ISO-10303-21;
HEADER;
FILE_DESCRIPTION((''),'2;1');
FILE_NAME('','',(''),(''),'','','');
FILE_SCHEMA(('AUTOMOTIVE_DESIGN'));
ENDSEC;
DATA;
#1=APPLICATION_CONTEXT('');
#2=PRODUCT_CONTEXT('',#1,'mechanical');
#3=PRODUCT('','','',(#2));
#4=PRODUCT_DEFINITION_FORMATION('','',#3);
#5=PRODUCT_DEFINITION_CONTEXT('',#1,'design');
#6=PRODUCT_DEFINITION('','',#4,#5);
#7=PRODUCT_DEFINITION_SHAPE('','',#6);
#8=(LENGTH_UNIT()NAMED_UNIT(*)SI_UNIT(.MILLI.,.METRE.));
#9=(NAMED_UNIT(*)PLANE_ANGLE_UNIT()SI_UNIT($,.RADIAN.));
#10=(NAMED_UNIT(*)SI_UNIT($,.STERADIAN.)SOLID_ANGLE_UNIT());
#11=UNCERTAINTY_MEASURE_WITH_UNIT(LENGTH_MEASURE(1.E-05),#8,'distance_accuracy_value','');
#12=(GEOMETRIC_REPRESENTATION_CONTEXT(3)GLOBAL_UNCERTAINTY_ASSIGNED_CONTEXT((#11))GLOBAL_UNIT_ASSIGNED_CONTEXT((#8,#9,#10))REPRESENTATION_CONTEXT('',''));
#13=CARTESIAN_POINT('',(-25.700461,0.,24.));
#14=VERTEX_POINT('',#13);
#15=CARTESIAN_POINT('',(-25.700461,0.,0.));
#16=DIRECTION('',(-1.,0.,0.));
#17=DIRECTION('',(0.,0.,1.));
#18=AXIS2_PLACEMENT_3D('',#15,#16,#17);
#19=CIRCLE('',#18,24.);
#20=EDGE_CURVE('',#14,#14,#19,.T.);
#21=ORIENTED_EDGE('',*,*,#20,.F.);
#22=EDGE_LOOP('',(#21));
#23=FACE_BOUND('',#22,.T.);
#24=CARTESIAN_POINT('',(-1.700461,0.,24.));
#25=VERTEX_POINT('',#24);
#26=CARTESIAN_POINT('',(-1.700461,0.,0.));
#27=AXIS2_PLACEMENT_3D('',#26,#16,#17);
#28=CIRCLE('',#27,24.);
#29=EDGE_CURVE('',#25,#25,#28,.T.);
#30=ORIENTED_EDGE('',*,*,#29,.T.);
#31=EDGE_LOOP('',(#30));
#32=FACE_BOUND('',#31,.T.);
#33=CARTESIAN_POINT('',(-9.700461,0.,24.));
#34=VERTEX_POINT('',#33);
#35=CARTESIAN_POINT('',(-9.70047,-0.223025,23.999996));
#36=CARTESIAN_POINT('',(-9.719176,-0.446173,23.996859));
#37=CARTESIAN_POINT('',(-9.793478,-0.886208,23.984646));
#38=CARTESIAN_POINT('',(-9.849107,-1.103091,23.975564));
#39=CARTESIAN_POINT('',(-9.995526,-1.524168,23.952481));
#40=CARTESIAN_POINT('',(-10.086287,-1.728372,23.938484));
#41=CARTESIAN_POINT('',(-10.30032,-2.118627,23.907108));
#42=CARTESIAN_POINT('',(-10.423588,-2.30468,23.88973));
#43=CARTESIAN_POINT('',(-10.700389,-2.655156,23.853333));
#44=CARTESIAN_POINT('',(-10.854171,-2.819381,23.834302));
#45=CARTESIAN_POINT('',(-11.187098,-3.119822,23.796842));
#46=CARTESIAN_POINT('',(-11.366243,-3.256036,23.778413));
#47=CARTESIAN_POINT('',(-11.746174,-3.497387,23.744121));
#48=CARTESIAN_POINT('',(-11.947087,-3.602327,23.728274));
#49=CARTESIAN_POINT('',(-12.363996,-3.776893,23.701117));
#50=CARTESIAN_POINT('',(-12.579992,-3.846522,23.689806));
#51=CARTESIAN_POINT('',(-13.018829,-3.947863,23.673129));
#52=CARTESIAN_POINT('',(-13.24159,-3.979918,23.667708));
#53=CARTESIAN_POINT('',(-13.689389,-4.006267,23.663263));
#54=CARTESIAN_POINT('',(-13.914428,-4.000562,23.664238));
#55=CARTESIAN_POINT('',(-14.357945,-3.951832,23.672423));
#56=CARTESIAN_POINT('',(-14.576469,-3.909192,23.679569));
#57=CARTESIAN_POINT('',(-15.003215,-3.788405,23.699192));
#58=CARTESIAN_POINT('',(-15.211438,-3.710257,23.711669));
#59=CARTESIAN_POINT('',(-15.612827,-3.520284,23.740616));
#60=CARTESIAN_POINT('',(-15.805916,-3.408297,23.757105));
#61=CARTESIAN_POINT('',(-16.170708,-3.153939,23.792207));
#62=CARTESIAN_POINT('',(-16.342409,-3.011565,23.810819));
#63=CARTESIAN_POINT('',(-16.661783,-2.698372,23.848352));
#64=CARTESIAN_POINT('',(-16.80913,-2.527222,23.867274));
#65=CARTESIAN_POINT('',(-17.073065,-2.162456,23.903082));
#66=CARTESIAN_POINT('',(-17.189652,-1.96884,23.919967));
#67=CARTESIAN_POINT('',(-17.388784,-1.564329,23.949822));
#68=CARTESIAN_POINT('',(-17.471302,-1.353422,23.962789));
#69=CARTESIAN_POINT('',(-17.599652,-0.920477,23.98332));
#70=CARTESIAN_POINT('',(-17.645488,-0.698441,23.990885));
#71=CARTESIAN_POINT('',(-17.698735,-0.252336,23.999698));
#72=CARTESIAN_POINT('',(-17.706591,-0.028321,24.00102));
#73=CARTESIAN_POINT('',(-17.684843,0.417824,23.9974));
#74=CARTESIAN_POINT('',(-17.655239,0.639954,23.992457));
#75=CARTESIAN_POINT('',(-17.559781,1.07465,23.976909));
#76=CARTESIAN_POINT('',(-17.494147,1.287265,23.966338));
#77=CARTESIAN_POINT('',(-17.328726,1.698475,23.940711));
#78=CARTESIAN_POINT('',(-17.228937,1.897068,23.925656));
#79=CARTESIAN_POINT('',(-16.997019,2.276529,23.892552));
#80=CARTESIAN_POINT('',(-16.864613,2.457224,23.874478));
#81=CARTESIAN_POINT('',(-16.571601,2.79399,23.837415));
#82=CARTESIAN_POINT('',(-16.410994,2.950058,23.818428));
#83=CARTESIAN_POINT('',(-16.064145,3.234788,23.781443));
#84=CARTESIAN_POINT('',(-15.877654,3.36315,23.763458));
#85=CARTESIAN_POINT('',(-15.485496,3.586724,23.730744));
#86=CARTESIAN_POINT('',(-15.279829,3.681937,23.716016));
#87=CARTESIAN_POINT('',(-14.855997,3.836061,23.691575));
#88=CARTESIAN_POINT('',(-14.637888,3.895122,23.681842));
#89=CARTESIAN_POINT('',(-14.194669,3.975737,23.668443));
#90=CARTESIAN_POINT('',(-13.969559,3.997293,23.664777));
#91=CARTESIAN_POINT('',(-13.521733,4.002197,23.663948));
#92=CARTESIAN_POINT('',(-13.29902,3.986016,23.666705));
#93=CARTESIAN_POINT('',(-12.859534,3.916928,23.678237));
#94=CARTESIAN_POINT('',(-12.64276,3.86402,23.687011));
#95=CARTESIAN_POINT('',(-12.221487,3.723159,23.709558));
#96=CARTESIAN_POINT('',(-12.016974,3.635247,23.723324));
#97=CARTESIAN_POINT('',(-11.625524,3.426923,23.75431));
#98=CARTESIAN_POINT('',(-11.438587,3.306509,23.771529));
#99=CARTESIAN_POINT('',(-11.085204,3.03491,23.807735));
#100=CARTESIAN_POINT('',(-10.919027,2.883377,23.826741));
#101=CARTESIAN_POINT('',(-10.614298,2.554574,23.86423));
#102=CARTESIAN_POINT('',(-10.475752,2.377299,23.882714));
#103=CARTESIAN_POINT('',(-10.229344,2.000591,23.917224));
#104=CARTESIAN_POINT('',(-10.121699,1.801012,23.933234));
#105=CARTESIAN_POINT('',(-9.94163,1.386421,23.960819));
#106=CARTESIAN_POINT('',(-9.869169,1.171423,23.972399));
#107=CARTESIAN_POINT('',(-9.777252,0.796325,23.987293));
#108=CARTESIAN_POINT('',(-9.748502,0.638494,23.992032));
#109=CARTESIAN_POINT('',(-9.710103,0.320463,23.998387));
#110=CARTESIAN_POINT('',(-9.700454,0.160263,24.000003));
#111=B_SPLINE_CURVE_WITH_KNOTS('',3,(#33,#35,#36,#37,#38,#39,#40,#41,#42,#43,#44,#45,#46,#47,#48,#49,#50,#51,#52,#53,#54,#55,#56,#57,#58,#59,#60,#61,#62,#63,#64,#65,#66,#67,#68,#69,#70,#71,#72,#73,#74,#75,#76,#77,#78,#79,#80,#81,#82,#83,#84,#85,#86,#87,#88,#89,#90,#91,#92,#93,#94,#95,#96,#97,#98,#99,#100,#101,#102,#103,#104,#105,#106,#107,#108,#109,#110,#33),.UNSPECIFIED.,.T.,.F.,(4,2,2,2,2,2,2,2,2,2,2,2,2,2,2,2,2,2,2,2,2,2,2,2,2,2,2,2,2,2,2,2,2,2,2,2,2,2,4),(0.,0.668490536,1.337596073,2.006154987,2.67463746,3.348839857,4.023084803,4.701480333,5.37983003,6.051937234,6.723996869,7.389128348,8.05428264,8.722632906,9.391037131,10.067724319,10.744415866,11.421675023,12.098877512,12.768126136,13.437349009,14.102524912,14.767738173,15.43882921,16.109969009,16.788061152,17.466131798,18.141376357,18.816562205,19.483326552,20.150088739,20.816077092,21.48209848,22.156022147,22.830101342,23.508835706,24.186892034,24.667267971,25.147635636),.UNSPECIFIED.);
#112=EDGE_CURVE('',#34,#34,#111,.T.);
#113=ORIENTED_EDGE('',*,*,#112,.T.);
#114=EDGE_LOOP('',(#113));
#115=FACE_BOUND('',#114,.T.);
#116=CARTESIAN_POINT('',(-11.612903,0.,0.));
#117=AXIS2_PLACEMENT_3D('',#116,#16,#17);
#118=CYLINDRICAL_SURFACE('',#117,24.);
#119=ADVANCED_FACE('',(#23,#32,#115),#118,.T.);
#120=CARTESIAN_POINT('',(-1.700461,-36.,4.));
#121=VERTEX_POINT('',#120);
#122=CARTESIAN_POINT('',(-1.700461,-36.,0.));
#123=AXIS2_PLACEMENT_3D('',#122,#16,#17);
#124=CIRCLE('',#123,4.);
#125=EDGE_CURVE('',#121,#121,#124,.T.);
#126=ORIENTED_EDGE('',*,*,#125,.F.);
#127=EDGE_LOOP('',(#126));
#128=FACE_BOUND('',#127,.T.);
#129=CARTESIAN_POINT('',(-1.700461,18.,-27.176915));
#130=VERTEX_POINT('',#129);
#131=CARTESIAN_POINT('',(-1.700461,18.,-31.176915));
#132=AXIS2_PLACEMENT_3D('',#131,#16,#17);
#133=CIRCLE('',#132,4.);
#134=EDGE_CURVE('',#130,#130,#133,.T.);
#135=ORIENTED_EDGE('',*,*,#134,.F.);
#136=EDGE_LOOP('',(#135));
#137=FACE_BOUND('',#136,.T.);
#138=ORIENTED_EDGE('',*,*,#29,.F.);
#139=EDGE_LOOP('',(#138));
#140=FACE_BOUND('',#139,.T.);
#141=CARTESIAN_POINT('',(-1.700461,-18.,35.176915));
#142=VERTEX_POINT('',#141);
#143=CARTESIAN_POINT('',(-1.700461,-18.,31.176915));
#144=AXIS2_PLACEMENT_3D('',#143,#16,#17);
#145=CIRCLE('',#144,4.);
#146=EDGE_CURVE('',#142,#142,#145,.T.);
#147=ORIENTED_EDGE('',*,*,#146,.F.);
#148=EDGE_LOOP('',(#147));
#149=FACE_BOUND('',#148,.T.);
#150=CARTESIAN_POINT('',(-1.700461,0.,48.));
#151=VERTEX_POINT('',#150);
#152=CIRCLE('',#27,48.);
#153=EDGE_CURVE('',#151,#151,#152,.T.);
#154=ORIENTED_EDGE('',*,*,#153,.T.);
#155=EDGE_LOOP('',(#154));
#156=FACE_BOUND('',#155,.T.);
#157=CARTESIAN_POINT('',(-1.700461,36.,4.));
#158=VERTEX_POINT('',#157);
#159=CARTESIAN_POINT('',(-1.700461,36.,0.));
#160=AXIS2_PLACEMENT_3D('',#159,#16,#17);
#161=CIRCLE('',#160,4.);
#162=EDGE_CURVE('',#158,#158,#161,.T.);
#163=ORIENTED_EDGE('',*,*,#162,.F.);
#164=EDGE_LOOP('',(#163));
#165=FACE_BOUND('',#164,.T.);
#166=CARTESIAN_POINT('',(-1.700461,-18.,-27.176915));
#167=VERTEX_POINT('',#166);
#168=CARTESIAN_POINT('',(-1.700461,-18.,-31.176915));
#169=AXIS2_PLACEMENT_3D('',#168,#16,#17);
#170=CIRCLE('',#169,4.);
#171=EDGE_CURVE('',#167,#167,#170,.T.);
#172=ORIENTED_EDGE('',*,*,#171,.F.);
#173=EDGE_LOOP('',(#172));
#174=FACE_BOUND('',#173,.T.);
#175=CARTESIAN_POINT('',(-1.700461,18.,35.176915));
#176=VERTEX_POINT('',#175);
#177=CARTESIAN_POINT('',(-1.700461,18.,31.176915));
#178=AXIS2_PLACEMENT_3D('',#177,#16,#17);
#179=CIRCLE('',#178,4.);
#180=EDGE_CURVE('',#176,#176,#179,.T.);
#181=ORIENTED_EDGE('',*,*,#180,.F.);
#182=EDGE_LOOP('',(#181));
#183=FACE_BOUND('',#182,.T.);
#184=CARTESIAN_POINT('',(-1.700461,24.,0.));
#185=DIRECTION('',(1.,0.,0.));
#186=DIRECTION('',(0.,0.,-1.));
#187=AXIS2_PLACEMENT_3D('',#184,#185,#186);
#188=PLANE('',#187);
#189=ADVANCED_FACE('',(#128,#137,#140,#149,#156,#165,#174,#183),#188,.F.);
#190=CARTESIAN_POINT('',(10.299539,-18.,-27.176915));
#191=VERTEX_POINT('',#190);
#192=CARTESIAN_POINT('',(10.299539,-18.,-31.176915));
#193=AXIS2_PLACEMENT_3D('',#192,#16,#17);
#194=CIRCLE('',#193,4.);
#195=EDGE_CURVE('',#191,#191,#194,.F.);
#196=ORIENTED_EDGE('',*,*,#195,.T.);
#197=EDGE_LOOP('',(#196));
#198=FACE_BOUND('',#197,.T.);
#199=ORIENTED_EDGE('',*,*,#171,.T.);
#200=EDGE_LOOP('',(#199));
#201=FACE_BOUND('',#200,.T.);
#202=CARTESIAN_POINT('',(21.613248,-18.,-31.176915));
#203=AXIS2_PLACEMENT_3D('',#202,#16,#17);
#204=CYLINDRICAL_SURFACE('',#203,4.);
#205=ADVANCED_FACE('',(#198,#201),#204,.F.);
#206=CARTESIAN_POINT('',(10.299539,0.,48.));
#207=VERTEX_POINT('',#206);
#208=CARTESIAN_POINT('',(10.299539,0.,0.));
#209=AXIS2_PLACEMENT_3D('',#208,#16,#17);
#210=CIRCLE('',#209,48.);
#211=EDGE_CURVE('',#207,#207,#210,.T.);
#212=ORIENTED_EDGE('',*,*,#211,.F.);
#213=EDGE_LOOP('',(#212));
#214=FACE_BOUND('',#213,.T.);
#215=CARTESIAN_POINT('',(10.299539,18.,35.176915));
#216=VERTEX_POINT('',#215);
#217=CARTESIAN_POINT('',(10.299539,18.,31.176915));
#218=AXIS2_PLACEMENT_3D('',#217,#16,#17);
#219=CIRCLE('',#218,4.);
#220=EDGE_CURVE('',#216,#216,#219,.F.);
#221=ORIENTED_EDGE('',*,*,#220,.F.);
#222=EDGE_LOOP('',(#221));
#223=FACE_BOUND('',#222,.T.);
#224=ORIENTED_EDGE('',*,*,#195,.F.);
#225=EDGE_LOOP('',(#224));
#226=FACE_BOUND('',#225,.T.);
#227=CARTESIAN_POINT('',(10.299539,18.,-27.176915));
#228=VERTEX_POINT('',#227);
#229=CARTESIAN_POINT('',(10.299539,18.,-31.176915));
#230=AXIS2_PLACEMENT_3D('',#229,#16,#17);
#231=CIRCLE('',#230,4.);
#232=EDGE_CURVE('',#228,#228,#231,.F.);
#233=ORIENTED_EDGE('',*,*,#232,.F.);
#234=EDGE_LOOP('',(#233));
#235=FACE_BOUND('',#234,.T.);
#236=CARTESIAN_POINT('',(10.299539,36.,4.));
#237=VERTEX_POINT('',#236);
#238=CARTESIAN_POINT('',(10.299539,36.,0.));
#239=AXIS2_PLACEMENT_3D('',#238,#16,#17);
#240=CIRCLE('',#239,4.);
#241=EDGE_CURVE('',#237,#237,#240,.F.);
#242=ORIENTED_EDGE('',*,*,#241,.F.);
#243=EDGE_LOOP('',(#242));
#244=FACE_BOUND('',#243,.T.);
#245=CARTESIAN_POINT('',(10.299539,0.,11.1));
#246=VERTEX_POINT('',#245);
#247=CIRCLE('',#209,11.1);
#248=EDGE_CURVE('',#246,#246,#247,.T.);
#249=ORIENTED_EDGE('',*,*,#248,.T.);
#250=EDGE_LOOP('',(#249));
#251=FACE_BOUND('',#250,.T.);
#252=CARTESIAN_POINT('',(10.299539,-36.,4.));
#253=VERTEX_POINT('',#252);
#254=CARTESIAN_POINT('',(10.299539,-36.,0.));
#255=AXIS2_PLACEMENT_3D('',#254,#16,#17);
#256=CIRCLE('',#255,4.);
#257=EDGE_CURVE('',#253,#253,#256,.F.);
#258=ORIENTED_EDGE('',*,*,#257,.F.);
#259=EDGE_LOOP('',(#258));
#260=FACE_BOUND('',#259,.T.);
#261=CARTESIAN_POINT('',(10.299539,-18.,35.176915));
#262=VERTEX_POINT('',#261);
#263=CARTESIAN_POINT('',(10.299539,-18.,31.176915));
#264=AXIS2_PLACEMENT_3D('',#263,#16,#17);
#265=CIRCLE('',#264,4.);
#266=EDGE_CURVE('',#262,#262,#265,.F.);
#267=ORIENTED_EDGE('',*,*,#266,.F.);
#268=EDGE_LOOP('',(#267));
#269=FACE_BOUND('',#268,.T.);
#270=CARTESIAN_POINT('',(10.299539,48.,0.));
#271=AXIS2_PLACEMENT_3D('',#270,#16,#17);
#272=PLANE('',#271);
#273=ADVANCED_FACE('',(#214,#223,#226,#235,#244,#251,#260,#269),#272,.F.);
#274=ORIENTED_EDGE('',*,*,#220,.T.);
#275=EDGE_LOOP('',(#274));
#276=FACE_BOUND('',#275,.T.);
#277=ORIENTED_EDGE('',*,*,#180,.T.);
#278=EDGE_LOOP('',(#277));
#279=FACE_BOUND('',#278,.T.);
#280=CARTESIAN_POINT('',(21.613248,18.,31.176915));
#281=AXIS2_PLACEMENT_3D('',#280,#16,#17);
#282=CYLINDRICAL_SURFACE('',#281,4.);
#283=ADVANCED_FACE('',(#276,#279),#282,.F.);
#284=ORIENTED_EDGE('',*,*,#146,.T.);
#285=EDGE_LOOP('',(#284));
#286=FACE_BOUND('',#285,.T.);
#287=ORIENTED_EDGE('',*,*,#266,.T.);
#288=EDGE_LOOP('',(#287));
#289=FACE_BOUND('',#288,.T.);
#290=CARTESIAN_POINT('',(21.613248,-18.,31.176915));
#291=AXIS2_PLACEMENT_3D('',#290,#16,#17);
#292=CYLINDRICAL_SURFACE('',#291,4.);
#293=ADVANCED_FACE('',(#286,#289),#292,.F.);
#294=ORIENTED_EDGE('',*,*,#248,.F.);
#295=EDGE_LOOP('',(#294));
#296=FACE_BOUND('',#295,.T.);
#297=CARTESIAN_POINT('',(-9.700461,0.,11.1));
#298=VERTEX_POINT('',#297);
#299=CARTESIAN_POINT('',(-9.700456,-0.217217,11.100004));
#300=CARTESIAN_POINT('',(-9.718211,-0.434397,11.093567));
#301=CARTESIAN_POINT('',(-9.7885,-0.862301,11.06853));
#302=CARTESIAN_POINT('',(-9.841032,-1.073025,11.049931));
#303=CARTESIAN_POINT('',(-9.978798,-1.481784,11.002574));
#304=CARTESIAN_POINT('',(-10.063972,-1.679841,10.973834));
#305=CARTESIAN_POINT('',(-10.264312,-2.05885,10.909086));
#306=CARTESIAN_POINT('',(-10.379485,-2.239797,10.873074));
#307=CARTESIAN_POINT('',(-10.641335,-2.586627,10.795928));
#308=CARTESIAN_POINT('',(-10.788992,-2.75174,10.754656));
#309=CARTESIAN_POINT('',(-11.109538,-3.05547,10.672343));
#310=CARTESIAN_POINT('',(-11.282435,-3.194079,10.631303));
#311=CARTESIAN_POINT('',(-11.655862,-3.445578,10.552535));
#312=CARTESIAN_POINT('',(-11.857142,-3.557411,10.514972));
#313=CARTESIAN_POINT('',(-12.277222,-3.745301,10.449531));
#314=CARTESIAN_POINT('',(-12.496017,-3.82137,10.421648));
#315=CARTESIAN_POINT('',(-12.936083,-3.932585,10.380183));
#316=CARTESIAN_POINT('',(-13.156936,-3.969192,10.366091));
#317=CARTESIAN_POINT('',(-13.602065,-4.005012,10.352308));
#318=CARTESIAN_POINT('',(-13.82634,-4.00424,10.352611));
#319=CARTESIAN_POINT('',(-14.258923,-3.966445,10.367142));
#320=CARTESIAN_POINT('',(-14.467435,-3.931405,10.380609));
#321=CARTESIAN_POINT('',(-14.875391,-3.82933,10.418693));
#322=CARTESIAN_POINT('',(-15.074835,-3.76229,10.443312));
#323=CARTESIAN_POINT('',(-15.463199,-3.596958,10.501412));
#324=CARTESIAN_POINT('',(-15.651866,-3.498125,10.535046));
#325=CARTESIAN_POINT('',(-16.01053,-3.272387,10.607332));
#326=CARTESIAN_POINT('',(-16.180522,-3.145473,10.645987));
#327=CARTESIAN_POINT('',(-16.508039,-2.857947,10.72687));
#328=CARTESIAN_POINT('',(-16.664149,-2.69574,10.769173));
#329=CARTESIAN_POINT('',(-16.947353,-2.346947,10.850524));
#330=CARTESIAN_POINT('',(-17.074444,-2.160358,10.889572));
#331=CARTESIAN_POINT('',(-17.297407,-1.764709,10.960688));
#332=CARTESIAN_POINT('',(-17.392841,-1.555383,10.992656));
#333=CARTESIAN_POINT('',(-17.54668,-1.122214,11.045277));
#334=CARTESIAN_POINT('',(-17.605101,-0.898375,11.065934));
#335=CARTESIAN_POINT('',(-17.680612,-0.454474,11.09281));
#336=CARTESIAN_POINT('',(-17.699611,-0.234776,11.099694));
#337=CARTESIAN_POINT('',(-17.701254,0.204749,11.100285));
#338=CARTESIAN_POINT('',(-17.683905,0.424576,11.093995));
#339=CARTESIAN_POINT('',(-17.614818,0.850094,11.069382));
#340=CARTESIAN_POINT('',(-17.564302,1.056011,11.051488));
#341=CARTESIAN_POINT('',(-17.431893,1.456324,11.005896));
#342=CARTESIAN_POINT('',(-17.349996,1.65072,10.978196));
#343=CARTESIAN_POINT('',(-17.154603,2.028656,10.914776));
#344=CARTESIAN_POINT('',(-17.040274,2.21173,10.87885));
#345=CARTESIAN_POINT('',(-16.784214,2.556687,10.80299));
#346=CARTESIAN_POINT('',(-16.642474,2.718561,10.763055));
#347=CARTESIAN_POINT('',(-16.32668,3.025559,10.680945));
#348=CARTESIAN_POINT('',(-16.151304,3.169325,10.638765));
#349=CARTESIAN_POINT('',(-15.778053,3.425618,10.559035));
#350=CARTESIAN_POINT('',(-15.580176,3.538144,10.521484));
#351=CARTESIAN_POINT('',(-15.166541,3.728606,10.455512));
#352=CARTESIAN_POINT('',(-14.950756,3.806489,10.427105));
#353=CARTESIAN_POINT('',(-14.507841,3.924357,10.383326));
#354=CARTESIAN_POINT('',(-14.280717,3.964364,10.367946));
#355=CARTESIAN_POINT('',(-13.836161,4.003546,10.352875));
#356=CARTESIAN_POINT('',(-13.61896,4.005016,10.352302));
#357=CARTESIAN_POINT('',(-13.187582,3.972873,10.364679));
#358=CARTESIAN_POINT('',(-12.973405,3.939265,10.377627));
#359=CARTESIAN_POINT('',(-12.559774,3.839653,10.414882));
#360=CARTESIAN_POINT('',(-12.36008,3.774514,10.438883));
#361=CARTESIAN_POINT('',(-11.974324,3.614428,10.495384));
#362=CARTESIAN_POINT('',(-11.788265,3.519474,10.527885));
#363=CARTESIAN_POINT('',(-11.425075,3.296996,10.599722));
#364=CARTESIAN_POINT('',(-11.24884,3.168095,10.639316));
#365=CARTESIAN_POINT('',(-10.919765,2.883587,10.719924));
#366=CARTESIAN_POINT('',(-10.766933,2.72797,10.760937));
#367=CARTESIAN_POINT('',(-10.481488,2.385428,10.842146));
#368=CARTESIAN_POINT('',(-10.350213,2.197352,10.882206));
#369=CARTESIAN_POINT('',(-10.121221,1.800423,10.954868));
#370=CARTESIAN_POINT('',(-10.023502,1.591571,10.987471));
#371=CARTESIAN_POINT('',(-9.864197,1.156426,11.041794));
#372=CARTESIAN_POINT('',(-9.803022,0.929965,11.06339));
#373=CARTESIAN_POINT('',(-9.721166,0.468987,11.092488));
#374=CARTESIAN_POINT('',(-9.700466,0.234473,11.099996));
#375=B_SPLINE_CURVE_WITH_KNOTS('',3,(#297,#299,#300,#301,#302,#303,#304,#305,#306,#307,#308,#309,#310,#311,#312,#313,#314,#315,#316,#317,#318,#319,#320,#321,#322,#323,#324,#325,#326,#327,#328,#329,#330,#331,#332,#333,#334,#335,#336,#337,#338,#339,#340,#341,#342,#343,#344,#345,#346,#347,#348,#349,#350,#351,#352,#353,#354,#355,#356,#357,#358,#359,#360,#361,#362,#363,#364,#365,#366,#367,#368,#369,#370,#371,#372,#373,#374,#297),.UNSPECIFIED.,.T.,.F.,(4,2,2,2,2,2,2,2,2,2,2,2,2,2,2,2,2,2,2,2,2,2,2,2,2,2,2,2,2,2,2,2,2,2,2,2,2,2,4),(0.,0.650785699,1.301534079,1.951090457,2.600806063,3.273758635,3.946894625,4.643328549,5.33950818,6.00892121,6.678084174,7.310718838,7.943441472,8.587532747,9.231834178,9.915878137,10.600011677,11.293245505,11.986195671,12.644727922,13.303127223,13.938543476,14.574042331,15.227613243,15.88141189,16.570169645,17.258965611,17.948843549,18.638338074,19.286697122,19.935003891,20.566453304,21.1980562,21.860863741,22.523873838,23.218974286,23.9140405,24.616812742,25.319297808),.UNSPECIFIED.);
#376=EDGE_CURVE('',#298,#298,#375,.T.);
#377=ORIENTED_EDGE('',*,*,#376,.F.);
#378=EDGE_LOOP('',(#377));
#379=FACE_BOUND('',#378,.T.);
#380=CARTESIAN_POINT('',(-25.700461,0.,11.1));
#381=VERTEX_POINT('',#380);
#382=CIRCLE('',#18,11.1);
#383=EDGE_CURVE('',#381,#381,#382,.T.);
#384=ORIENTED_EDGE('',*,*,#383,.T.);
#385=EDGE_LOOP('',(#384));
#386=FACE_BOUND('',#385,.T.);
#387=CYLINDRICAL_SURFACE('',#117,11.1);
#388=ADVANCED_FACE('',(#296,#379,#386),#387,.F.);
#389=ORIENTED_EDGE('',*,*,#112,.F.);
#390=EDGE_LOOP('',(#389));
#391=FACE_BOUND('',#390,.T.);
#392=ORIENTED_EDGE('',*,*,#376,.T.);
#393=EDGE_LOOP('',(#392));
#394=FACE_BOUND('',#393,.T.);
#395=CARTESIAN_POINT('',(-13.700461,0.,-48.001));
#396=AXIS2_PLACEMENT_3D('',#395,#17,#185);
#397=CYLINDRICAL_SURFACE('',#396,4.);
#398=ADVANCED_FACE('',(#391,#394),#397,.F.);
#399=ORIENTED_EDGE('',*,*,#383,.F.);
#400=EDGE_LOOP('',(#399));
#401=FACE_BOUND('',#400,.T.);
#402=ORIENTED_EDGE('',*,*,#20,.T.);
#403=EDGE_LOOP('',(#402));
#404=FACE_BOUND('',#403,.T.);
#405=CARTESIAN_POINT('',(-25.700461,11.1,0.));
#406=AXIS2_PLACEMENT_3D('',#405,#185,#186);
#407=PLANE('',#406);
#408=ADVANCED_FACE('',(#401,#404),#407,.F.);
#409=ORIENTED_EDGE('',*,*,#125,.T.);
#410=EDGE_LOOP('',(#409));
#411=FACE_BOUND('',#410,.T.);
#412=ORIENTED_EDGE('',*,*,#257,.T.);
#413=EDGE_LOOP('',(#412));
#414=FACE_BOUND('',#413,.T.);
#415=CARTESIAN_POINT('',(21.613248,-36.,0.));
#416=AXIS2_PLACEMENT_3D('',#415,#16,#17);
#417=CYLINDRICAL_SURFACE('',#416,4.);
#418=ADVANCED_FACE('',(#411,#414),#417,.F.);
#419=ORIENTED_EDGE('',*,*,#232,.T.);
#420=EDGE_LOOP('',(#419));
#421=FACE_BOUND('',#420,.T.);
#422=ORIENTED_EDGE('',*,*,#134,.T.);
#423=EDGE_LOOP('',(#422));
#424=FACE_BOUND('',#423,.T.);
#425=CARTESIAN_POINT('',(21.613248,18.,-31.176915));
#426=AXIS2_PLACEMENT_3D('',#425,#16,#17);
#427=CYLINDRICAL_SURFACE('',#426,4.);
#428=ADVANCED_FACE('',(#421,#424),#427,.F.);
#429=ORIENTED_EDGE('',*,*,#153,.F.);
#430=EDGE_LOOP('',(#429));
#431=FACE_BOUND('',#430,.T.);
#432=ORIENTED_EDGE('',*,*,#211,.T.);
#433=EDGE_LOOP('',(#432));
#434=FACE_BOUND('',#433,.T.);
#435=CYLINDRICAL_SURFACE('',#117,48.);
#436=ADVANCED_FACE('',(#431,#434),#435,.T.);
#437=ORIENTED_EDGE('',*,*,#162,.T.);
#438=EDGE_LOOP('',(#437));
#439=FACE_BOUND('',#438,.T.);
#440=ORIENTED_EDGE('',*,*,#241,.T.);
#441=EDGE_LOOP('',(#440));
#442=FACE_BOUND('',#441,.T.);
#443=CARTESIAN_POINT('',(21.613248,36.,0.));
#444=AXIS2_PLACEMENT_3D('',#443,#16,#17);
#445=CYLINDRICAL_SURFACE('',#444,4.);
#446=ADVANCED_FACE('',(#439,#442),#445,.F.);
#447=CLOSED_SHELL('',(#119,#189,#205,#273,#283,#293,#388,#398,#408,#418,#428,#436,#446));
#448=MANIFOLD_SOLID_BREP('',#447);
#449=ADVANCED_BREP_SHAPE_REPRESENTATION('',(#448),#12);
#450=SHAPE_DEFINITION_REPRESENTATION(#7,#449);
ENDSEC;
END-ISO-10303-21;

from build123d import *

# Parameters (mm, degrees)
SKETCH2_R          = 4
CUT_EXTRUDE1_DEPTH = 12
CUT_EXTRUDE2_REACH = 74
SKETCH3_R          = 4


with BuildPart() as part:
    # Sketch1 → Revolve1 (revolve)
    with BuildSketch(Plane.XY):
        Polygon((-25.700460829, 11.1), (-25.700460829, 24), (-1.700460829, 24), (-1.700460829, 48), (10.299539171, 48), (10.299539171, 11.1), align=None)
    revolve(axis=Axis((-11.612903226, 0, 0), (1, 0, 0)))

    # Sketch2 → Cut-Extrude1 (cut)
    with BuildSketch(Plane.ZY.offset(1.700460829)):
        with Locations((0, 36)):
            Circle(SKETCH2_R)
        with Locations((31.176914536, 18)):
            Circle(SKETCH2_R)
        with Locations((31.176914536, -18)):
            Circle(SKETCH2_R)
        with Locations((0, -36)):
            Circle(SKETCH2_R)
        with Locations((-31.176914536, -18)):
            Circle(SKETCH2_R)
        with Locations((-31.176914536, 18)):
            Circle(SKETCH2_R)
    extrude(amount=-CUT_EXTRUDE1_DEPTH, mode=Mode.SUBTRACT)

    # Sketch3 → Cut-Extrude2 (cut, up to next)
    with BuildSketch(Plane.XY.offset(24), mode=Mode.PRIVATE) as cut_extrude2_sk1:
        with Locations((-13.700460829, 0)):
            Circle(SKETCH3_R)
    cut_extrude2_tool1 = extrude(cut_extrude2_sk1.sketch, amount=-CUT_EXTRUDE2_REACH, mode=Mode.PRIVATE) & part.part
    add(cut_extrude2_tool1.solids().sort_by_distance((-13.700461, 0, 24))[0], mode=Mode.SUBTRACT)


solid = part.part
